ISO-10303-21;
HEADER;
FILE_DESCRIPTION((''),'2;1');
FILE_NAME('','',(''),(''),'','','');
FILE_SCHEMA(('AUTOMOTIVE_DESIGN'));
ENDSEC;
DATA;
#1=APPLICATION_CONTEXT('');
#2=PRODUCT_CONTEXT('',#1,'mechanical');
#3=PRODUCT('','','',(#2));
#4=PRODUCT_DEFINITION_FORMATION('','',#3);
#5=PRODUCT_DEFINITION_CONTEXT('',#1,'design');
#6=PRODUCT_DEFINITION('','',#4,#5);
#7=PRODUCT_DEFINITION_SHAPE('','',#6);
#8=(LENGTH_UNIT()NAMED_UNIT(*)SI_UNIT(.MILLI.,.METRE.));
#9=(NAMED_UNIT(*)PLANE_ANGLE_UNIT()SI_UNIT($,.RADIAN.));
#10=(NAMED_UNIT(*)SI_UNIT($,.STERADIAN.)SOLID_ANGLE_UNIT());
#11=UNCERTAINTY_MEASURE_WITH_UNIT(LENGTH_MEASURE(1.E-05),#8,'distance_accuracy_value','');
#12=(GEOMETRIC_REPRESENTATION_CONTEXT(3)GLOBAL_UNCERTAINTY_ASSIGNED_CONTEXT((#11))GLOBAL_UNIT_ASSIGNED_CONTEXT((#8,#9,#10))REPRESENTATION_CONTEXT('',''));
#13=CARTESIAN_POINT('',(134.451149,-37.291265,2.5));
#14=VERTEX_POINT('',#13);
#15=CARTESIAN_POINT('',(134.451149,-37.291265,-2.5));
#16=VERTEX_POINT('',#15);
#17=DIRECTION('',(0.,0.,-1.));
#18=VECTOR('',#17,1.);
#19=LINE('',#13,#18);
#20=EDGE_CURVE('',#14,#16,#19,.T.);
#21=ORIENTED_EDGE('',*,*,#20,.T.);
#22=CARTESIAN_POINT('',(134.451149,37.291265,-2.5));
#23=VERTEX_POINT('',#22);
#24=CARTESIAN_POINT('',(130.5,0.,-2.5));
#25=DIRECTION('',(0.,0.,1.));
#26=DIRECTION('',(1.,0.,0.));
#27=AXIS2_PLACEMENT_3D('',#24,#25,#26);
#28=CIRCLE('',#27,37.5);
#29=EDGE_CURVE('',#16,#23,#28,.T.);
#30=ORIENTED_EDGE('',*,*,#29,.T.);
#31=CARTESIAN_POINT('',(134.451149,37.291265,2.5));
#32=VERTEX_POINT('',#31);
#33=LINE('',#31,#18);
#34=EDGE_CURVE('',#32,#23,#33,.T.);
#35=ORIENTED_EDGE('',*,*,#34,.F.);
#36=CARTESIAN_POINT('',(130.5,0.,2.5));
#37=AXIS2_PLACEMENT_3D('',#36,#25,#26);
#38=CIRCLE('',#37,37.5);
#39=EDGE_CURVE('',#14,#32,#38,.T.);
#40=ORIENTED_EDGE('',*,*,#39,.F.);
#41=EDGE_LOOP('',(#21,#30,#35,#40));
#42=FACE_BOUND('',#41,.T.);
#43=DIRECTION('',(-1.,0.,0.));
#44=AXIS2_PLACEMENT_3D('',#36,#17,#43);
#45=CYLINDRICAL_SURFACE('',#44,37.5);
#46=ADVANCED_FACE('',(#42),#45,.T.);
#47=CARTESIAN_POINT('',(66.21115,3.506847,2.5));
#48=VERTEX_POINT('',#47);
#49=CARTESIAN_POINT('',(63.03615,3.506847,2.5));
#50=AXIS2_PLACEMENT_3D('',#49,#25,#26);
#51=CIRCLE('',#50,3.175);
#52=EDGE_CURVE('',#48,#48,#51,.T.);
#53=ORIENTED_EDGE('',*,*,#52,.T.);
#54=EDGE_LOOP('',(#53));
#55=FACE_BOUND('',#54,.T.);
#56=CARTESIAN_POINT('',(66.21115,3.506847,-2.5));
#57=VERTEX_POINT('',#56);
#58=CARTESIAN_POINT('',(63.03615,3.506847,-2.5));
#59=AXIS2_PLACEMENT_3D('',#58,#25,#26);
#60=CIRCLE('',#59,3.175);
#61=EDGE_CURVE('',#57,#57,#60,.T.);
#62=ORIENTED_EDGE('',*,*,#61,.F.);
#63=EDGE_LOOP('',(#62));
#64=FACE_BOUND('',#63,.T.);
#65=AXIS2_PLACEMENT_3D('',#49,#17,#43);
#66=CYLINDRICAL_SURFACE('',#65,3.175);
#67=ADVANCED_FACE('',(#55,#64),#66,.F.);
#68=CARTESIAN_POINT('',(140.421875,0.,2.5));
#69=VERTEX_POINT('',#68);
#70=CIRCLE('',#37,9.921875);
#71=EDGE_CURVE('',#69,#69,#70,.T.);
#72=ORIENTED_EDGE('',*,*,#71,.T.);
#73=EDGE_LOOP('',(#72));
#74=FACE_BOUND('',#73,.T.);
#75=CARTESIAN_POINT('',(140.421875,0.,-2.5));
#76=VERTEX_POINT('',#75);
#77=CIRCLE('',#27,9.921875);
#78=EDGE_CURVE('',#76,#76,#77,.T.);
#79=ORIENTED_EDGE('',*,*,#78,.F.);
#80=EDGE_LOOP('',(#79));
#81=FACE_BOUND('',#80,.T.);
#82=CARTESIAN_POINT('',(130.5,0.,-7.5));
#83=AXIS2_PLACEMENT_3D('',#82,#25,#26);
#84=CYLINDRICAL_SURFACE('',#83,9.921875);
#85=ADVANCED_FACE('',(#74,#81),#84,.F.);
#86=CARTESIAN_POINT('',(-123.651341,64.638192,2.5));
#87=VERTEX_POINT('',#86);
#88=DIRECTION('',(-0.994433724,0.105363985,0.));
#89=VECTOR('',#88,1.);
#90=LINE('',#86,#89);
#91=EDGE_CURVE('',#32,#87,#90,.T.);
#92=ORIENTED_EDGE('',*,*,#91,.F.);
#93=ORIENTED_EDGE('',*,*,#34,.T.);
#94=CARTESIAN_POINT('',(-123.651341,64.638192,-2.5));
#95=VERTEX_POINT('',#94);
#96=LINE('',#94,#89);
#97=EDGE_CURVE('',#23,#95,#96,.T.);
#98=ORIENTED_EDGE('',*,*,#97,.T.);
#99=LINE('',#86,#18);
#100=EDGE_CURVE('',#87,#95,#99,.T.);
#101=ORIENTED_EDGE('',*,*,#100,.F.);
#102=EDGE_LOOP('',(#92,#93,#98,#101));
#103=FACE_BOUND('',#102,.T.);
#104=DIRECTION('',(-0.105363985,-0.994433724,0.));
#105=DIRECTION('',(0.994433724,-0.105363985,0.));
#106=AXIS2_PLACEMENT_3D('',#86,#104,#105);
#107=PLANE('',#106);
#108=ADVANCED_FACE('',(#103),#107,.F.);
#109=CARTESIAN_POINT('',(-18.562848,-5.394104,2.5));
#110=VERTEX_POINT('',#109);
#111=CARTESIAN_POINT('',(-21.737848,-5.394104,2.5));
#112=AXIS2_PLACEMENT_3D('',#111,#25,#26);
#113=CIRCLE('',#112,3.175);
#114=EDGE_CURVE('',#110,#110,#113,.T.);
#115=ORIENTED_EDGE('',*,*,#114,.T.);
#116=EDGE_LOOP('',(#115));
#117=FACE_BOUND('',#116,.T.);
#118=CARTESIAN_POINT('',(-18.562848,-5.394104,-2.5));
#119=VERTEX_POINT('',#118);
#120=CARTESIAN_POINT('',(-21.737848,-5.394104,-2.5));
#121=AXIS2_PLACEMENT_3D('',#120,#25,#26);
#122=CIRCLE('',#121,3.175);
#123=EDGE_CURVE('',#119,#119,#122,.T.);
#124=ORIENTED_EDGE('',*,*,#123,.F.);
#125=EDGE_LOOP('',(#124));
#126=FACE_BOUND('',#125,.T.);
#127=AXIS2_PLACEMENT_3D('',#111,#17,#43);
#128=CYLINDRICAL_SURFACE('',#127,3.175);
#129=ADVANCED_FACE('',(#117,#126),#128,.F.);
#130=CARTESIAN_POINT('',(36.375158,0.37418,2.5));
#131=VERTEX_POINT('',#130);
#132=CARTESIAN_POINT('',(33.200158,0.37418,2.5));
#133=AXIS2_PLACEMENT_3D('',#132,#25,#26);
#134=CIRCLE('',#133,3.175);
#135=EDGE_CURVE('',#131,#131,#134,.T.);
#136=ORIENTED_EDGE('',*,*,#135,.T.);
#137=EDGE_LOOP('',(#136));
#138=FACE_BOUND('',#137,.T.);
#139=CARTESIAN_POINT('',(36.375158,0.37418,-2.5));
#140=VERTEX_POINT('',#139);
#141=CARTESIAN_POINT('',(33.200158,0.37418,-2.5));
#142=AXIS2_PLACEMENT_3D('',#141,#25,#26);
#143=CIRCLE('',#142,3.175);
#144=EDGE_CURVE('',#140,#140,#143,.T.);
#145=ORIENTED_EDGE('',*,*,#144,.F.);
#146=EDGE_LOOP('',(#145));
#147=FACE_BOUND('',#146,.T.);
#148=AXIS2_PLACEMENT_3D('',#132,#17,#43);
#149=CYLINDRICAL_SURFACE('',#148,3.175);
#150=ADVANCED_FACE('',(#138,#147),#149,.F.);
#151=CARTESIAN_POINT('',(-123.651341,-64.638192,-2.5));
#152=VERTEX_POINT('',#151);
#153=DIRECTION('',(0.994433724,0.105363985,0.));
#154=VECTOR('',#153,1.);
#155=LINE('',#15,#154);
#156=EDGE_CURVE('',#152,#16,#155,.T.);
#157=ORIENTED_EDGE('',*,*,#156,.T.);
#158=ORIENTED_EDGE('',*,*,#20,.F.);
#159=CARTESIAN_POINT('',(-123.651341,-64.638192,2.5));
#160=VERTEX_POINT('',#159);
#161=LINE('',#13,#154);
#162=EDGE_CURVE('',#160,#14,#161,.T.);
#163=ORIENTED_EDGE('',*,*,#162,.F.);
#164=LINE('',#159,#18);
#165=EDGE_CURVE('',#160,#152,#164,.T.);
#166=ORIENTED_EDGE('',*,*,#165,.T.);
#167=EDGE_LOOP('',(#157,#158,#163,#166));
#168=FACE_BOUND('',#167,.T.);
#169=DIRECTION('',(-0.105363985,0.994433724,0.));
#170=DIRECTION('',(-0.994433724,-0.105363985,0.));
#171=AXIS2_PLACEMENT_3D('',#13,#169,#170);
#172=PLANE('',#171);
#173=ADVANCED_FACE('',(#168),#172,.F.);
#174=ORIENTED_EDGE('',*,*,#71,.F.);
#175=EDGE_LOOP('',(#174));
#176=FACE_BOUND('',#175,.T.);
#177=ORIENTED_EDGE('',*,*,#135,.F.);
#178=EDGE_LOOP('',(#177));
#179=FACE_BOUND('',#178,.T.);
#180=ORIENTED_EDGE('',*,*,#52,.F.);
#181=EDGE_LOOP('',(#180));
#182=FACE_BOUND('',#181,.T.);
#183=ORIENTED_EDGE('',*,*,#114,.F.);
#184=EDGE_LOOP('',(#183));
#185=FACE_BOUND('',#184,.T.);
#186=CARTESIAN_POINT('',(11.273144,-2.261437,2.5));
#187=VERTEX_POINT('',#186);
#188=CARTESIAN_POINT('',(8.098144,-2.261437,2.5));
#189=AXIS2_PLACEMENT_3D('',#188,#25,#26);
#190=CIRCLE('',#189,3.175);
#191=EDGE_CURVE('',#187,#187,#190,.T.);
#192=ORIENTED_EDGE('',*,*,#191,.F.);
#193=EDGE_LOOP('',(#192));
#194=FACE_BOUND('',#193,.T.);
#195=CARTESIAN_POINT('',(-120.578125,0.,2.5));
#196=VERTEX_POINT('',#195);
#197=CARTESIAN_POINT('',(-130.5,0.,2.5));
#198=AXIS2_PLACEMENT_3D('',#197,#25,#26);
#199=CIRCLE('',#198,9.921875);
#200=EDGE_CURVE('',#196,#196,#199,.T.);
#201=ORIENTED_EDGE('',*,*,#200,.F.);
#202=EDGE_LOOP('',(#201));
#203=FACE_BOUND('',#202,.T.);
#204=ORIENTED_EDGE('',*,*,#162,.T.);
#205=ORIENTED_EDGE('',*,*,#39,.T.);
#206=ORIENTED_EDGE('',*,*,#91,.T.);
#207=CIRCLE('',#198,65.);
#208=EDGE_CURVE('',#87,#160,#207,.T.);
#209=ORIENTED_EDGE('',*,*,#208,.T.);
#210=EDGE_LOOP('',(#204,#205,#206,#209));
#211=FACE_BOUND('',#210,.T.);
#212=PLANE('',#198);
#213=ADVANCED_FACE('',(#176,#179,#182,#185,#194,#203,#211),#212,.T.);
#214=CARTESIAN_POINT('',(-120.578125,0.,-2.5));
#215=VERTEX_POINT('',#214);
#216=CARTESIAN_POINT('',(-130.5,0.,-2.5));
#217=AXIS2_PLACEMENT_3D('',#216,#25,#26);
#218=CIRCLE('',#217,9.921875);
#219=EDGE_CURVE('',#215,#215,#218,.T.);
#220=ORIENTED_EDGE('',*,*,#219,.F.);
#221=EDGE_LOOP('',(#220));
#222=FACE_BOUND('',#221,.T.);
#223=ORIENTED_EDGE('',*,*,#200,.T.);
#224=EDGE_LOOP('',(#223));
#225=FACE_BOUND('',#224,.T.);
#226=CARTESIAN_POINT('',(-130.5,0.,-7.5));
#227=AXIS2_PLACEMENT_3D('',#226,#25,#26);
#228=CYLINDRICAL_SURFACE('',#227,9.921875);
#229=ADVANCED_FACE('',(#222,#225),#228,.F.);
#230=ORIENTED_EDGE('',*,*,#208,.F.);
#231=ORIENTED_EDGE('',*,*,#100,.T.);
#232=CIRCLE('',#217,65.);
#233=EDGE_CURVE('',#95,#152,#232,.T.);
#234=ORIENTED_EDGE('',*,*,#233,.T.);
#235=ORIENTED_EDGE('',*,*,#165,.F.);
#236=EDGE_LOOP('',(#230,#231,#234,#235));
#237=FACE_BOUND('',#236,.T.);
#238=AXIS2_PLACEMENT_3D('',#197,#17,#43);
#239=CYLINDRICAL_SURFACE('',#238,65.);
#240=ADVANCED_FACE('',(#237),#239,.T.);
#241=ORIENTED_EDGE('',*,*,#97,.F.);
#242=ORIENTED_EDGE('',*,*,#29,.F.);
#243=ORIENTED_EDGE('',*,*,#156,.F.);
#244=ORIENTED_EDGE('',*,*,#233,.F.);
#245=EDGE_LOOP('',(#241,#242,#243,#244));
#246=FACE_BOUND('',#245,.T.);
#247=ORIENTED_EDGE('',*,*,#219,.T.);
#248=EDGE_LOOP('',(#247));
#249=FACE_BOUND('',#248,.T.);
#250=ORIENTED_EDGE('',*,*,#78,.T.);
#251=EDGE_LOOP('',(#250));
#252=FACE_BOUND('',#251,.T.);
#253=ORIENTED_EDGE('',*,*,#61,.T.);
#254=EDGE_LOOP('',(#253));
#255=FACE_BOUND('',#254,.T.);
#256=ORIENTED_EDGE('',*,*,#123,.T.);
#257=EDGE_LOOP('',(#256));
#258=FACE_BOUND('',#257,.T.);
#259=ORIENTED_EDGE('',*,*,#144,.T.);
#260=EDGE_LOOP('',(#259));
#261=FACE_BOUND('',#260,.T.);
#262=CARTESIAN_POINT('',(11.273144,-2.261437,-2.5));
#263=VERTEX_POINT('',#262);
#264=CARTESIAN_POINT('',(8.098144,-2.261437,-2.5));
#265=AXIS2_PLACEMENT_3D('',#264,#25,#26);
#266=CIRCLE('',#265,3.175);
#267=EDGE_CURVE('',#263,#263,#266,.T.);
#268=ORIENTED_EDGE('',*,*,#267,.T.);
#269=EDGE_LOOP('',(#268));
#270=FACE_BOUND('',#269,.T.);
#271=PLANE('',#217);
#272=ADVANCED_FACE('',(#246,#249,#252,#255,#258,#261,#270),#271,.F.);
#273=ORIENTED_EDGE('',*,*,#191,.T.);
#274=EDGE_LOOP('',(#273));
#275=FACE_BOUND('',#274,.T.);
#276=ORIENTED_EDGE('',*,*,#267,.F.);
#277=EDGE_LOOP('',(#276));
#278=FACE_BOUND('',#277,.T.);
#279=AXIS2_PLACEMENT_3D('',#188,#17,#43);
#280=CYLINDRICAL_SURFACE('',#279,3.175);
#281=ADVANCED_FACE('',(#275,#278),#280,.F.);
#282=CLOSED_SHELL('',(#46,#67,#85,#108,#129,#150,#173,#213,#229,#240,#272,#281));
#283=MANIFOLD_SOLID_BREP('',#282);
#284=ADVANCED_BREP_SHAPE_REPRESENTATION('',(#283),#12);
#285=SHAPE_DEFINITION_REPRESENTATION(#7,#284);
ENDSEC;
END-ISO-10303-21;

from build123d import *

# Parameters (mm, degrees)
CROQUIS1_R              = 3.175
SALIENTE_EXTRUIR1_DEPTH = 2.5
CROQUIS2_R              = 9.921875
CORTAR_EXTRUIR1_DEPTH   = 10


with BuildPart() as part:
    # Croquis1 → Saliente-Extruir1 (new, symmetric)
    with BuildSketch(Plane.XY):
        with BuildLine():
            Line((-123.651340996, 64.638192037), (134.451149425, 37.291264637))
            ThreePointArc((134.451149425, 37.291264637), (168, 0), (134.451149425, -37.291264637))
            Line((134.451149425, -37.291264637), (-123.651340996, -64.638192037))
            ThreePointArc((-123.651340996, -64.638192037), (-195.5, 0), (-123.651340996, 64.638192037))
        make_face()
        with Locations((63.036149834, 3.50684658)):
            Circle(CROQUIS1_R, mode=Mode.SUBTRACT)
        with Locations((33.200158154, 0.374179913)):
            Circle(CROQUIS1_R, mode=Mode.SUBTRACT)
        with Locations((-21.73784786, -5.394103642)):
            Circle(CROQUIS1_R, mode=Mode.SUBTRACT)
        with Locations((8.09814382, -2.261436976)):
            Circle(CROQUIS1_R, mode=Mode.SUBTRACT)
    extrude(amount=SALIENTE_EXTRUIR1_DEPTH, both=True)

    # Croquis2 → Cortar-Extruir1 (cut)
    with BuildSketch(Plane.XY.offset(2.5)):
        with Locations((-130.5, 0)):
            Circle(CROQUIS2_R)
        with Locations((130.5, 0)):
            Circle(CROQUIS2_R)
    extrude(amount=-CORTAR_EXTRUIR1_DEPTH, mode=Mode.SUBTRACT)


solid = part.part
